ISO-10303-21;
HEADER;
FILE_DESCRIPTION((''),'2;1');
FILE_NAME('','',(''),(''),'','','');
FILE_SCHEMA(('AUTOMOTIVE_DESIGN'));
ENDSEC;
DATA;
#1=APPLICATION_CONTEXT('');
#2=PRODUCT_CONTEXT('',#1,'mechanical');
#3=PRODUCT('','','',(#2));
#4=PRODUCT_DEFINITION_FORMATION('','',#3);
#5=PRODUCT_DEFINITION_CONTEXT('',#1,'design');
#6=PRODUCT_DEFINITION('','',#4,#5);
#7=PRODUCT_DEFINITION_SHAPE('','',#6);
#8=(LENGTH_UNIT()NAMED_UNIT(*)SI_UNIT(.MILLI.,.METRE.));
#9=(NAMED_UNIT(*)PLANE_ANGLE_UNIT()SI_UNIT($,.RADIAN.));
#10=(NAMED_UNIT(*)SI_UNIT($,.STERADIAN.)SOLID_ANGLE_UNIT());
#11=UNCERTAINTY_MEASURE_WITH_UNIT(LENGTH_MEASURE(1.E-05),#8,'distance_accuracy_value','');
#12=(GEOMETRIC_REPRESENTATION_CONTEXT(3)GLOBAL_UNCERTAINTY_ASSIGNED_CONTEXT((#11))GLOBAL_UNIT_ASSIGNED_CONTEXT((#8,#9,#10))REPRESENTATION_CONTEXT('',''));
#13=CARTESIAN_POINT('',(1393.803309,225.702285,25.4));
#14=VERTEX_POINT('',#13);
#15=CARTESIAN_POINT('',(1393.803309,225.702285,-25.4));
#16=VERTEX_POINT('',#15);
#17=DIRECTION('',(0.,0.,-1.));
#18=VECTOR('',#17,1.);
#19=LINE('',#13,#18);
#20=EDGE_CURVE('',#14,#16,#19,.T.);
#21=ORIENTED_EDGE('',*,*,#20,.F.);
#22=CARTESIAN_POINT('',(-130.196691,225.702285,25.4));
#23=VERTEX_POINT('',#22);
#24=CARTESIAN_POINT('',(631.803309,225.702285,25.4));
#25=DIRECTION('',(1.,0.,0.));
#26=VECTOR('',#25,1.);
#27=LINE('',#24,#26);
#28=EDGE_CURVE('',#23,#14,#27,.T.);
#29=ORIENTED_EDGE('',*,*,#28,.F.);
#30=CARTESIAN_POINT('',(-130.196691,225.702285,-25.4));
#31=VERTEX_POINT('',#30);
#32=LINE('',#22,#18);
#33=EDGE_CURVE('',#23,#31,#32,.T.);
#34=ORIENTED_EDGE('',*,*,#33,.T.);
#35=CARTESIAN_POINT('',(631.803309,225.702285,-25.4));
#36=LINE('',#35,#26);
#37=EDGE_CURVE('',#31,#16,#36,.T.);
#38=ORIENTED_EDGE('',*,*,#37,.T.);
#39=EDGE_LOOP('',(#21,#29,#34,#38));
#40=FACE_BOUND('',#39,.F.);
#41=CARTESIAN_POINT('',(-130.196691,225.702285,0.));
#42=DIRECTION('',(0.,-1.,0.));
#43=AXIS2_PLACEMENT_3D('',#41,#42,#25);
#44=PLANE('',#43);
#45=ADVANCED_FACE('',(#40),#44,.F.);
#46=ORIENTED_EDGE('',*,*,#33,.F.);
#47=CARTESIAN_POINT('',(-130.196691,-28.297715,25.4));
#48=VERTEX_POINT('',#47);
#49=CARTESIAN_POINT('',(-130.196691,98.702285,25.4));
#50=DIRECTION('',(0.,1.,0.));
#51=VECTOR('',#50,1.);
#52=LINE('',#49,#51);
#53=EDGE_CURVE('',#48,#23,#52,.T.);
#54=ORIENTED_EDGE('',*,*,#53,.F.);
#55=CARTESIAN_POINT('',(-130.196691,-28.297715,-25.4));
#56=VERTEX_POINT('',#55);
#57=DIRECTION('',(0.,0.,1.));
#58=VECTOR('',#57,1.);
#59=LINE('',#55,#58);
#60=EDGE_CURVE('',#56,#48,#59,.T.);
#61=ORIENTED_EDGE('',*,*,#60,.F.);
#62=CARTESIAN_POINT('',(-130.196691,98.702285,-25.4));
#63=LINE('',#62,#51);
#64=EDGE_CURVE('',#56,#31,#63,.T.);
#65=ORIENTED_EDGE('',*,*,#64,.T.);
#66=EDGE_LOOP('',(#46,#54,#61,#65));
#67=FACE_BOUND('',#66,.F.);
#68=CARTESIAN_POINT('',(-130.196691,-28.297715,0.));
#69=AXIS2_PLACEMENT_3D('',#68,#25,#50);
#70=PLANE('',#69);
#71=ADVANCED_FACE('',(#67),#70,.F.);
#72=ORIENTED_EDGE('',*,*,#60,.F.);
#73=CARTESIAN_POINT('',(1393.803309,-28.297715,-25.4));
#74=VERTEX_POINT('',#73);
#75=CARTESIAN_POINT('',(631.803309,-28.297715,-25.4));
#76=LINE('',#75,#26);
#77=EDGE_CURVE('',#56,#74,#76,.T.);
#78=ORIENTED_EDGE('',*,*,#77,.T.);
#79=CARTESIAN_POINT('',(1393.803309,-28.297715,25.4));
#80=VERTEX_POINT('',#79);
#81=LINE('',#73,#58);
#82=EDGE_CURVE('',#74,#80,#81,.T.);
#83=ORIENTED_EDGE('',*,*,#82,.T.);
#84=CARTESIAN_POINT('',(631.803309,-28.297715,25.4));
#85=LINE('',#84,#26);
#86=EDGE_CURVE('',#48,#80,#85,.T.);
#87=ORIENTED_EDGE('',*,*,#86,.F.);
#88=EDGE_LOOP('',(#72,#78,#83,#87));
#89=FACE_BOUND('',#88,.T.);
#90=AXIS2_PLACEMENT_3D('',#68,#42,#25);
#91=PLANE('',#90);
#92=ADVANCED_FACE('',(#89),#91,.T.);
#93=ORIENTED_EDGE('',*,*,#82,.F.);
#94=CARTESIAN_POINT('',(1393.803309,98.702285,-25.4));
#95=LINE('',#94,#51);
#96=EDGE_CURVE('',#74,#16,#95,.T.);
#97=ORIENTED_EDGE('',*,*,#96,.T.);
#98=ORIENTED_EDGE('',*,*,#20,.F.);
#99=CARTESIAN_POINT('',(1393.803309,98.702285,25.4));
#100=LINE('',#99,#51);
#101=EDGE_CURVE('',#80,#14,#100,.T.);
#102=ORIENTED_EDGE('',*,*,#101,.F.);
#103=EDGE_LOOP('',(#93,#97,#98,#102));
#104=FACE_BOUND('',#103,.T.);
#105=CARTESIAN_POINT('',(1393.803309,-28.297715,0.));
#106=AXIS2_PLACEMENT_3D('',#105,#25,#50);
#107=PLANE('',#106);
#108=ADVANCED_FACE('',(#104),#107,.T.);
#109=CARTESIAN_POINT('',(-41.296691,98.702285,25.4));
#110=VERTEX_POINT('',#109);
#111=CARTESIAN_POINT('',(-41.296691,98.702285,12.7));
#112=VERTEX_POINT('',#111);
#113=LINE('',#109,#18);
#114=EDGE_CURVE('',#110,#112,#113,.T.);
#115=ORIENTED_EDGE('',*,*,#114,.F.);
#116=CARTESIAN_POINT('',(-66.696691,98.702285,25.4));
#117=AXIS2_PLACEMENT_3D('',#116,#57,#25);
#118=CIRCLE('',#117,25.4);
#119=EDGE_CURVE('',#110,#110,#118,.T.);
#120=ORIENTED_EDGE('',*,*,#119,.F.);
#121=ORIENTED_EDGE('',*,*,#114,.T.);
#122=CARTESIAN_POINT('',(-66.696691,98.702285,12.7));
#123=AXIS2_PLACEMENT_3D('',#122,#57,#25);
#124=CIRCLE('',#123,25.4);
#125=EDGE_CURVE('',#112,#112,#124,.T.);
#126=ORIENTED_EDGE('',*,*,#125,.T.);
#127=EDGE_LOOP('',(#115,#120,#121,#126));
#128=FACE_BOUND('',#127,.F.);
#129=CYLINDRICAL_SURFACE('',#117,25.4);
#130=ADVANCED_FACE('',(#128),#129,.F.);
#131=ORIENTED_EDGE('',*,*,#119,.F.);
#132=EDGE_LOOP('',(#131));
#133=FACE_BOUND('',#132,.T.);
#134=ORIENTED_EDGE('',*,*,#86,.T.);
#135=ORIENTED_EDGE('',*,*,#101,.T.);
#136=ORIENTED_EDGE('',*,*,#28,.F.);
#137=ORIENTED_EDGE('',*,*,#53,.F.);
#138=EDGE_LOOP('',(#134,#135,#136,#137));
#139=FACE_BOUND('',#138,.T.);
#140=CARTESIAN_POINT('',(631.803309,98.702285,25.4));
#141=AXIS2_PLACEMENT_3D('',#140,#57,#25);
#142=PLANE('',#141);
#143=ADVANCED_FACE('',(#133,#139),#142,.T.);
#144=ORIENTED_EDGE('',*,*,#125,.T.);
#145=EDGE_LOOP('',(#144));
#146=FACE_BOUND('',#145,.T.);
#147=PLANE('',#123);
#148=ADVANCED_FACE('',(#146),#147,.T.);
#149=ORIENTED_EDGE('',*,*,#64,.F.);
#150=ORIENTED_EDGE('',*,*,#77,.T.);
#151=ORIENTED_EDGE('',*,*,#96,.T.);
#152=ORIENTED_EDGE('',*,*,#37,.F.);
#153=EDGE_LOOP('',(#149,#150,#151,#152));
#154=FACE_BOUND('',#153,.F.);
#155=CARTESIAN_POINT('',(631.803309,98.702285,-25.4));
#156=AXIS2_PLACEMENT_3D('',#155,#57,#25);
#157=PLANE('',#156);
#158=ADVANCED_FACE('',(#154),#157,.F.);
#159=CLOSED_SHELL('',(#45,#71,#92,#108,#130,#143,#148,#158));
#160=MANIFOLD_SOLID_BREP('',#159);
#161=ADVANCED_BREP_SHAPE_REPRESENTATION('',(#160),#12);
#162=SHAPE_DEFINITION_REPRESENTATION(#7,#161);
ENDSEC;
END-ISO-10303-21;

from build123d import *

# Parameters (mm, degrees)
F0_W     = 1524
F0_H     = 254
F1_DEPTH = 25.4
F2_R     = 25.4
F3_DEPTH = 12.7


with BuildPart() as f1:
    # F0 (on Top) → F1 (new body, symmetric)
    with BuildSketch(Plane.XY):
        with Locations((631.803309, 98.702285)):
            Rectangle(F0_W, F0_H)
    extrude(amount=F1_DEPTH, both=True)

    # F2 (on face) → F3 (cut)
    with BuildSketch(Plane.XY.offset(25.4)):
        with Locations((-66.696691, 98.702285)):
            Circle(F2_R)
    extrude(amount=-F3_DEPTH, mode=Mode.SUBTRACT)


solid = f1.part
